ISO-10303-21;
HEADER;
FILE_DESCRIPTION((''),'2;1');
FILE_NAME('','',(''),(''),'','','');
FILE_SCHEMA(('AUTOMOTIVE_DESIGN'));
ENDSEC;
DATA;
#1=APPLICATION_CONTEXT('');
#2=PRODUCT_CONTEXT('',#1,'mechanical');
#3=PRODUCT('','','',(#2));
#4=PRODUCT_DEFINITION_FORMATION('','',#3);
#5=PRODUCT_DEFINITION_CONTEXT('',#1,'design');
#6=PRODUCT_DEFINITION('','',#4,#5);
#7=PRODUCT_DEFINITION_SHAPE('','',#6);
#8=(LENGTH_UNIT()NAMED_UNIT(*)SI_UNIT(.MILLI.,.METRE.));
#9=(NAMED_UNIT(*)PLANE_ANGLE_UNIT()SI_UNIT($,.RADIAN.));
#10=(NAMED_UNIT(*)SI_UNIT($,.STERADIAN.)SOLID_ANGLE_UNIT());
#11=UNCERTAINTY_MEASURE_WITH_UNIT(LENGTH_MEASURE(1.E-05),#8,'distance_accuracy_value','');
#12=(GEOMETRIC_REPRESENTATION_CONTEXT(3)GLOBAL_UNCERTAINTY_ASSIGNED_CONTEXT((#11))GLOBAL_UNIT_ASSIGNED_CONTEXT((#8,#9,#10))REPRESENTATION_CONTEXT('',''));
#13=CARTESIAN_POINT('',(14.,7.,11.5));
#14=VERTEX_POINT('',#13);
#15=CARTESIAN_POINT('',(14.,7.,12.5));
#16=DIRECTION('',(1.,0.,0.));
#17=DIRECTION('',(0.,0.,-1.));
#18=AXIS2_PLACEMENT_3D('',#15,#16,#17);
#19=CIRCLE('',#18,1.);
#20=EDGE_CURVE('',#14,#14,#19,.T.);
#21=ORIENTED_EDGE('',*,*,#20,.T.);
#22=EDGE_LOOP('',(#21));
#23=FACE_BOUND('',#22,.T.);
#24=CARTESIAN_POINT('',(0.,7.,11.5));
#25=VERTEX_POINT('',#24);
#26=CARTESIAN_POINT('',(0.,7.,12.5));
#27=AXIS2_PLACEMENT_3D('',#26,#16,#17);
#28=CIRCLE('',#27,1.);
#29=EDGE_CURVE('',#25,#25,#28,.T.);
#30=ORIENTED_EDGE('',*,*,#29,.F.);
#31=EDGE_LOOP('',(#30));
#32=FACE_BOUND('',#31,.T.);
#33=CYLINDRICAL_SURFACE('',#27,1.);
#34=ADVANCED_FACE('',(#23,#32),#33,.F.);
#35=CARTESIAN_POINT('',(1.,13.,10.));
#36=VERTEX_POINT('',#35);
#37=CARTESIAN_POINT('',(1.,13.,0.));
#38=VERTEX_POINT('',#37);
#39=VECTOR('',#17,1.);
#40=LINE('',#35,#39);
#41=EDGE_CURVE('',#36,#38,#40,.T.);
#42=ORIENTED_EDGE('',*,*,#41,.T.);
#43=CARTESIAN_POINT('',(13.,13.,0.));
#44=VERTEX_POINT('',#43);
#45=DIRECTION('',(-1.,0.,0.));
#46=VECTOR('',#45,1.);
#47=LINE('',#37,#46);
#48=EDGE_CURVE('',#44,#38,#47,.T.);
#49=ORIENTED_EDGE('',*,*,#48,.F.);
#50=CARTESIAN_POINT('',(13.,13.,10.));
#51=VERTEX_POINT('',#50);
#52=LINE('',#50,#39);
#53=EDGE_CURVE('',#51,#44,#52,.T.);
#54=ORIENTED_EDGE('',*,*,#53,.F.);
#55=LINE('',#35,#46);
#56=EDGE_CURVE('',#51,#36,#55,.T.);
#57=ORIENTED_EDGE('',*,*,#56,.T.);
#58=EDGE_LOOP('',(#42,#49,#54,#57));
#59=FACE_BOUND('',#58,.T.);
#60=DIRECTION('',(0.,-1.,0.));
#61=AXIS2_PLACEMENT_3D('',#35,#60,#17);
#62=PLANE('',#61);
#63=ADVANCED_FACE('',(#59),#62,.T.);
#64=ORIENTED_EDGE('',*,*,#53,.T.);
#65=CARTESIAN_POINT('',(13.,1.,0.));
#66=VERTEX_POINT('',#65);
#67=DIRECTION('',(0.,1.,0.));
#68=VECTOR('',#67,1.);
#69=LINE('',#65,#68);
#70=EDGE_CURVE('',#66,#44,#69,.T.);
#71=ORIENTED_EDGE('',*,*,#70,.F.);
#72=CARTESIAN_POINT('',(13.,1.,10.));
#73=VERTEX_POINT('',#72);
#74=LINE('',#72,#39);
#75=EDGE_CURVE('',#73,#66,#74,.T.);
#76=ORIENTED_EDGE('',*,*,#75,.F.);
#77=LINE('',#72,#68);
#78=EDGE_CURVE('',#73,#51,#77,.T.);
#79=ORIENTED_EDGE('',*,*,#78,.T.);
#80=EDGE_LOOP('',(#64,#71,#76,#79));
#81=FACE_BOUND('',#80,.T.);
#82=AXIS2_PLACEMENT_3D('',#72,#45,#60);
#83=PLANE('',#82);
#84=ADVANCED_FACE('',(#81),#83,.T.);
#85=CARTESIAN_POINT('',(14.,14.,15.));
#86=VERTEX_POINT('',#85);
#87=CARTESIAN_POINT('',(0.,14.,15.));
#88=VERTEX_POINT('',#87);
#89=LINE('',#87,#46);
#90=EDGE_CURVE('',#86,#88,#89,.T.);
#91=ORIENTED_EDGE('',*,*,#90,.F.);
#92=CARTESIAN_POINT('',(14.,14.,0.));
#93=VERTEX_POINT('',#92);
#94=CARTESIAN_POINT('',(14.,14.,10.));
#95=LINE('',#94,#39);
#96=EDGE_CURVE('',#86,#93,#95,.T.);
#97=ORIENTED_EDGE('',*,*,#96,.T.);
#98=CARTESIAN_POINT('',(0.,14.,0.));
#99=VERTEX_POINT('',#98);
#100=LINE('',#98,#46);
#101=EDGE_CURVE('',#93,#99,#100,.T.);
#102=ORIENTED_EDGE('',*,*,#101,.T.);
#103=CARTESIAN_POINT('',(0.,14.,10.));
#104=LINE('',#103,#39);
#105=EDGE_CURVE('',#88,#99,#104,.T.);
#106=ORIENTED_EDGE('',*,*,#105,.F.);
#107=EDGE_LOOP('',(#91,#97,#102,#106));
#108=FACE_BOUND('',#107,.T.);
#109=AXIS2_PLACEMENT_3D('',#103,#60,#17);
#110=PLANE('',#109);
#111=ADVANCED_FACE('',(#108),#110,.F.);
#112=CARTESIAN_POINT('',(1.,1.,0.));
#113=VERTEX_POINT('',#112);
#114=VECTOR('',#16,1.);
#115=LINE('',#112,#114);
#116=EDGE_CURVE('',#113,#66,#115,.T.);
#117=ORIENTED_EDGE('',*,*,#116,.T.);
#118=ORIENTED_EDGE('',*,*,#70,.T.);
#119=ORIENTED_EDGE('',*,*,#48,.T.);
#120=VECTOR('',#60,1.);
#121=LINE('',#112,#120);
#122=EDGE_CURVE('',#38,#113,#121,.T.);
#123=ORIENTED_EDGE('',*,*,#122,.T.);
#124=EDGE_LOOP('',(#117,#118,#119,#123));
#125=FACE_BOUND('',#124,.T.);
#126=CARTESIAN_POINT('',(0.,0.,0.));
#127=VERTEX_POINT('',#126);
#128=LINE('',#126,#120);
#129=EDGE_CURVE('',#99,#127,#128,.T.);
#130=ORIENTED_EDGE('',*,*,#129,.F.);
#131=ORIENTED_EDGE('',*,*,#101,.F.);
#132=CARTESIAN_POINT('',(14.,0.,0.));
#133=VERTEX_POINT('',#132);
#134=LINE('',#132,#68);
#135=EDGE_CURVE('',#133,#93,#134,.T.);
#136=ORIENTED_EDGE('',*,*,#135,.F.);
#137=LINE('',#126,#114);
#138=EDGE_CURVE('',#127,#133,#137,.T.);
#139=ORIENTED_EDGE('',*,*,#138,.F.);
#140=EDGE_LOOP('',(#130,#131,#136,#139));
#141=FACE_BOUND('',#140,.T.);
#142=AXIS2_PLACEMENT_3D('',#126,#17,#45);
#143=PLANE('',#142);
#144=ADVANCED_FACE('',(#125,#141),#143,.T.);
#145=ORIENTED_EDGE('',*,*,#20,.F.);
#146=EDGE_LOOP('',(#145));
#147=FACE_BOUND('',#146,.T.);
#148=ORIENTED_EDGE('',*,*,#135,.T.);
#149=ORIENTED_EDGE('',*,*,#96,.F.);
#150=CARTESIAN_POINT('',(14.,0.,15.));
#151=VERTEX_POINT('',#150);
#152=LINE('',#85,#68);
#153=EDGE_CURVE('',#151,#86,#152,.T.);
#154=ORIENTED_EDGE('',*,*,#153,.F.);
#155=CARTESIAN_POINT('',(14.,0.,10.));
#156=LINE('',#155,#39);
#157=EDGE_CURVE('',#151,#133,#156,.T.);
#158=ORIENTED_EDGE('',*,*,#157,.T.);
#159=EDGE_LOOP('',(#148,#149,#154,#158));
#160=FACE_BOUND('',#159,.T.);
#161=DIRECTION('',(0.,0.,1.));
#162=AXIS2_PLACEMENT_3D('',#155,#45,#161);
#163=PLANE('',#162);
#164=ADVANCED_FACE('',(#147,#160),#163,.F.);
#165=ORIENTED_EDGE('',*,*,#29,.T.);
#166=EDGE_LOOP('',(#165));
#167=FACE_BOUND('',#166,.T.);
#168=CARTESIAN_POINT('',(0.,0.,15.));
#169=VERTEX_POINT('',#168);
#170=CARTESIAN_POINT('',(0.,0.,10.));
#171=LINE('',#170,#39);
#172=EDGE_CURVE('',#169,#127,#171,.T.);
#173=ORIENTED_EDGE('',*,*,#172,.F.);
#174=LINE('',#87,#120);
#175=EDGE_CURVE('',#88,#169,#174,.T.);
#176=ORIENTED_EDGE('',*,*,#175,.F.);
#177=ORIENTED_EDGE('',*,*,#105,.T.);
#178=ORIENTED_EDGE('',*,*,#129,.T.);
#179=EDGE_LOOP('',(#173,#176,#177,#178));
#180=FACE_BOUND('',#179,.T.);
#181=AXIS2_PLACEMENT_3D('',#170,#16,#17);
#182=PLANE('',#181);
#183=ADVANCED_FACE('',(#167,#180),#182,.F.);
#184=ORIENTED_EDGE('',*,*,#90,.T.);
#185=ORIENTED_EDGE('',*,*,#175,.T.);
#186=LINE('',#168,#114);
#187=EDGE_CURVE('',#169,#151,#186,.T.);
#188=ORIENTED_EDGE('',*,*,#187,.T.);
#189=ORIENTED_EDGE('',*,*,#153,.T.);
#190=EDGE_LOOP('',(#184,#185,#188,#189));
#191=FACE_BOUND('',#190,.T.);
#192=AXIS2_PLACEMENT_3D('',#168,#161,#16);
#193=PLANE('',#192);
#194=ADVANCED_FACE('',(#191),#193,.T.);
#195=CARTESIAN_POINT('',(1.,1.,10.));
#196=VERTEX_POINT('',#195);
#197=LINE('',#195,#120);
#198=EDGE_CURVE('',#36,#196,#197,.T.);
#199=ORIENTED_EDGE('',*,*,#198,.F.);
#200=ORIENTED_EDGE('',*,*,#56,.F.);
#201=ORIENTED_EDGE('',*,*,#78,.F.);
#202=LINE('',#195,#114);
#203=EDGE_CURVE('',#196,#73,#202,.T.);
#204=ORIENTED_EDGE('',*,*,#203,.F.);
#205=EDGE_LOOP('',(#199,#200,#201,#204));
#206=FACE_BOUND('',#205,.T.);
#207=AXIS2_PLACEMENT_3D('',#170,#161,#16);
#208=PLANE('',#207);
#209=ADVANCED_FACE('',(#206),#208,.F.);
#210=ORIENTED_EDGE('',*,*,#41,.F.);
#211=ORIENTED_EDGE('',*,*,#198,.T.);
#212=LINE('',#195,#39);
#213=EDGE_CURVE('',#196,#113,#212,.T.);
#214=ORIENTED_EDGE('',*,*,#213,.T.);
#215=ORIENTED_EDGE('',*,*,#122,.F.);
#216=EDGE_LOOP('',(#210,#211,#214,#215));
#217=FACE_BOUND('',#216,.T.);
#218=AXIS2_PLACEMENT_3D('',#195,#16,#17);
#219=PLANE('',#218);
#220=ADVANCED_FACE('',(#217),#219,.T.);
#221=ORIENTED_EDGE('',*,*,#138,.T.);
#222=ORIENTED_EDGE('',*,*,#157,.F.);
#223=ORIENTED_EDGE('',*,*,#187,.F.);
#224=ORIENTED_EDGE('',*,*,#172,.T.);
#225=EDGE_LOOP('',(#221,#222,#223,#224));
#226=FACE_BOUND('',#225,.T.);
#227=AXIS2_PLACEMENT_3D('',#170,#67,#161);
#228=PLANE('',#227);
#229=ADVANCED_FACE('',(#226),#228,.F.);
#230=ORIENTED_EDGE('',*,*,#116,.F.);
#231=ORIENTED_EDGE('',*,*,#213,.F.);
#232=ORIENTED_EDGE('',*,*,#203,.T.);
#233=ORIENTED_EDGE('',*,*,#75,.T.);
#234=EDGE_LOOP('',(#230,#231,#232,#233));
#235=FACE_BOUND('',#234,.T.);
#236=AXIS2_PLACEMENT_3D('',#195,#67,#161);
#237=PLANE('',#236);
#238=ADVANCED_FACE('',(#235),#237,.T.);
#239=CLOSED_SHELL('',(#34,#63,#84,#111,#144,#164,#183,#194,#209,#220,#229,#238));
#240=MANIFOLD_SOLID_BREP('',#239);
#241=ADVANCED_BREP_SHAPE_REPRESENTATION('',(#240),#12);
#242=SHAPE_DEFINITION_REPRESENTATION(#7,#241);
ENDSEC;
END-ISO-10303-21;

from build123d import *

# Parameters (mm, degrees)
SKETCH_1_W          = 14
SKETCH_1_H          = 14
SKETCH_1_W_2        = 12
SKETCH_1_H_2        = 12
EXTRUDE_1_DEPTH     = 10
SKETCH_2_W          = 14
SKETCH_2_H          = 14
EXTRUDE_2_DEPTH     = 5
SKETCH_3_R          = 1
CUT_EXTRUDE_1_DEPTH = 14


with BuildPart() as part:
    # 草图1 → 凸台-拉伸1 (new body)
    with BuildSketch(Plane.XY):
        with Locations((7, 7)):
            Rectangle(SKETCH_1_W, SKETCH_1_H)
        with Locations((7, 7)):
            Rectangle(SKETCH_1_W_2, SKETCH_1_H_2, mode=Mode.SUBTRACT)
    extrude(amount=EXTRUDE_1_DEPTH)

    # 草图2 → 凸台-拉伸2 (add)
    with BuildSketch(Plane.XY.offset(10)):
        with Locations((7, 7)):
            Rectangle(SKETCH_2_W, SKETCH_2_H)
    extrude(amount=EXTRUDE_2_DEPTH)

    # 草图3 → 切除-拉伸1 (cut)
    with BuildSketch(Plane(origin=(14, 0, 0), x_dir=(0, 0, -1), z_dir=(1, 0, 0))):
        with Locations((-12.5, 7)):
            Circle(SKETCH_3_R)
    extrude(amount=-CUT_EXTRUDE_1_DEPTH, mode=Mode.SUBTRACT)


solid = part.part
